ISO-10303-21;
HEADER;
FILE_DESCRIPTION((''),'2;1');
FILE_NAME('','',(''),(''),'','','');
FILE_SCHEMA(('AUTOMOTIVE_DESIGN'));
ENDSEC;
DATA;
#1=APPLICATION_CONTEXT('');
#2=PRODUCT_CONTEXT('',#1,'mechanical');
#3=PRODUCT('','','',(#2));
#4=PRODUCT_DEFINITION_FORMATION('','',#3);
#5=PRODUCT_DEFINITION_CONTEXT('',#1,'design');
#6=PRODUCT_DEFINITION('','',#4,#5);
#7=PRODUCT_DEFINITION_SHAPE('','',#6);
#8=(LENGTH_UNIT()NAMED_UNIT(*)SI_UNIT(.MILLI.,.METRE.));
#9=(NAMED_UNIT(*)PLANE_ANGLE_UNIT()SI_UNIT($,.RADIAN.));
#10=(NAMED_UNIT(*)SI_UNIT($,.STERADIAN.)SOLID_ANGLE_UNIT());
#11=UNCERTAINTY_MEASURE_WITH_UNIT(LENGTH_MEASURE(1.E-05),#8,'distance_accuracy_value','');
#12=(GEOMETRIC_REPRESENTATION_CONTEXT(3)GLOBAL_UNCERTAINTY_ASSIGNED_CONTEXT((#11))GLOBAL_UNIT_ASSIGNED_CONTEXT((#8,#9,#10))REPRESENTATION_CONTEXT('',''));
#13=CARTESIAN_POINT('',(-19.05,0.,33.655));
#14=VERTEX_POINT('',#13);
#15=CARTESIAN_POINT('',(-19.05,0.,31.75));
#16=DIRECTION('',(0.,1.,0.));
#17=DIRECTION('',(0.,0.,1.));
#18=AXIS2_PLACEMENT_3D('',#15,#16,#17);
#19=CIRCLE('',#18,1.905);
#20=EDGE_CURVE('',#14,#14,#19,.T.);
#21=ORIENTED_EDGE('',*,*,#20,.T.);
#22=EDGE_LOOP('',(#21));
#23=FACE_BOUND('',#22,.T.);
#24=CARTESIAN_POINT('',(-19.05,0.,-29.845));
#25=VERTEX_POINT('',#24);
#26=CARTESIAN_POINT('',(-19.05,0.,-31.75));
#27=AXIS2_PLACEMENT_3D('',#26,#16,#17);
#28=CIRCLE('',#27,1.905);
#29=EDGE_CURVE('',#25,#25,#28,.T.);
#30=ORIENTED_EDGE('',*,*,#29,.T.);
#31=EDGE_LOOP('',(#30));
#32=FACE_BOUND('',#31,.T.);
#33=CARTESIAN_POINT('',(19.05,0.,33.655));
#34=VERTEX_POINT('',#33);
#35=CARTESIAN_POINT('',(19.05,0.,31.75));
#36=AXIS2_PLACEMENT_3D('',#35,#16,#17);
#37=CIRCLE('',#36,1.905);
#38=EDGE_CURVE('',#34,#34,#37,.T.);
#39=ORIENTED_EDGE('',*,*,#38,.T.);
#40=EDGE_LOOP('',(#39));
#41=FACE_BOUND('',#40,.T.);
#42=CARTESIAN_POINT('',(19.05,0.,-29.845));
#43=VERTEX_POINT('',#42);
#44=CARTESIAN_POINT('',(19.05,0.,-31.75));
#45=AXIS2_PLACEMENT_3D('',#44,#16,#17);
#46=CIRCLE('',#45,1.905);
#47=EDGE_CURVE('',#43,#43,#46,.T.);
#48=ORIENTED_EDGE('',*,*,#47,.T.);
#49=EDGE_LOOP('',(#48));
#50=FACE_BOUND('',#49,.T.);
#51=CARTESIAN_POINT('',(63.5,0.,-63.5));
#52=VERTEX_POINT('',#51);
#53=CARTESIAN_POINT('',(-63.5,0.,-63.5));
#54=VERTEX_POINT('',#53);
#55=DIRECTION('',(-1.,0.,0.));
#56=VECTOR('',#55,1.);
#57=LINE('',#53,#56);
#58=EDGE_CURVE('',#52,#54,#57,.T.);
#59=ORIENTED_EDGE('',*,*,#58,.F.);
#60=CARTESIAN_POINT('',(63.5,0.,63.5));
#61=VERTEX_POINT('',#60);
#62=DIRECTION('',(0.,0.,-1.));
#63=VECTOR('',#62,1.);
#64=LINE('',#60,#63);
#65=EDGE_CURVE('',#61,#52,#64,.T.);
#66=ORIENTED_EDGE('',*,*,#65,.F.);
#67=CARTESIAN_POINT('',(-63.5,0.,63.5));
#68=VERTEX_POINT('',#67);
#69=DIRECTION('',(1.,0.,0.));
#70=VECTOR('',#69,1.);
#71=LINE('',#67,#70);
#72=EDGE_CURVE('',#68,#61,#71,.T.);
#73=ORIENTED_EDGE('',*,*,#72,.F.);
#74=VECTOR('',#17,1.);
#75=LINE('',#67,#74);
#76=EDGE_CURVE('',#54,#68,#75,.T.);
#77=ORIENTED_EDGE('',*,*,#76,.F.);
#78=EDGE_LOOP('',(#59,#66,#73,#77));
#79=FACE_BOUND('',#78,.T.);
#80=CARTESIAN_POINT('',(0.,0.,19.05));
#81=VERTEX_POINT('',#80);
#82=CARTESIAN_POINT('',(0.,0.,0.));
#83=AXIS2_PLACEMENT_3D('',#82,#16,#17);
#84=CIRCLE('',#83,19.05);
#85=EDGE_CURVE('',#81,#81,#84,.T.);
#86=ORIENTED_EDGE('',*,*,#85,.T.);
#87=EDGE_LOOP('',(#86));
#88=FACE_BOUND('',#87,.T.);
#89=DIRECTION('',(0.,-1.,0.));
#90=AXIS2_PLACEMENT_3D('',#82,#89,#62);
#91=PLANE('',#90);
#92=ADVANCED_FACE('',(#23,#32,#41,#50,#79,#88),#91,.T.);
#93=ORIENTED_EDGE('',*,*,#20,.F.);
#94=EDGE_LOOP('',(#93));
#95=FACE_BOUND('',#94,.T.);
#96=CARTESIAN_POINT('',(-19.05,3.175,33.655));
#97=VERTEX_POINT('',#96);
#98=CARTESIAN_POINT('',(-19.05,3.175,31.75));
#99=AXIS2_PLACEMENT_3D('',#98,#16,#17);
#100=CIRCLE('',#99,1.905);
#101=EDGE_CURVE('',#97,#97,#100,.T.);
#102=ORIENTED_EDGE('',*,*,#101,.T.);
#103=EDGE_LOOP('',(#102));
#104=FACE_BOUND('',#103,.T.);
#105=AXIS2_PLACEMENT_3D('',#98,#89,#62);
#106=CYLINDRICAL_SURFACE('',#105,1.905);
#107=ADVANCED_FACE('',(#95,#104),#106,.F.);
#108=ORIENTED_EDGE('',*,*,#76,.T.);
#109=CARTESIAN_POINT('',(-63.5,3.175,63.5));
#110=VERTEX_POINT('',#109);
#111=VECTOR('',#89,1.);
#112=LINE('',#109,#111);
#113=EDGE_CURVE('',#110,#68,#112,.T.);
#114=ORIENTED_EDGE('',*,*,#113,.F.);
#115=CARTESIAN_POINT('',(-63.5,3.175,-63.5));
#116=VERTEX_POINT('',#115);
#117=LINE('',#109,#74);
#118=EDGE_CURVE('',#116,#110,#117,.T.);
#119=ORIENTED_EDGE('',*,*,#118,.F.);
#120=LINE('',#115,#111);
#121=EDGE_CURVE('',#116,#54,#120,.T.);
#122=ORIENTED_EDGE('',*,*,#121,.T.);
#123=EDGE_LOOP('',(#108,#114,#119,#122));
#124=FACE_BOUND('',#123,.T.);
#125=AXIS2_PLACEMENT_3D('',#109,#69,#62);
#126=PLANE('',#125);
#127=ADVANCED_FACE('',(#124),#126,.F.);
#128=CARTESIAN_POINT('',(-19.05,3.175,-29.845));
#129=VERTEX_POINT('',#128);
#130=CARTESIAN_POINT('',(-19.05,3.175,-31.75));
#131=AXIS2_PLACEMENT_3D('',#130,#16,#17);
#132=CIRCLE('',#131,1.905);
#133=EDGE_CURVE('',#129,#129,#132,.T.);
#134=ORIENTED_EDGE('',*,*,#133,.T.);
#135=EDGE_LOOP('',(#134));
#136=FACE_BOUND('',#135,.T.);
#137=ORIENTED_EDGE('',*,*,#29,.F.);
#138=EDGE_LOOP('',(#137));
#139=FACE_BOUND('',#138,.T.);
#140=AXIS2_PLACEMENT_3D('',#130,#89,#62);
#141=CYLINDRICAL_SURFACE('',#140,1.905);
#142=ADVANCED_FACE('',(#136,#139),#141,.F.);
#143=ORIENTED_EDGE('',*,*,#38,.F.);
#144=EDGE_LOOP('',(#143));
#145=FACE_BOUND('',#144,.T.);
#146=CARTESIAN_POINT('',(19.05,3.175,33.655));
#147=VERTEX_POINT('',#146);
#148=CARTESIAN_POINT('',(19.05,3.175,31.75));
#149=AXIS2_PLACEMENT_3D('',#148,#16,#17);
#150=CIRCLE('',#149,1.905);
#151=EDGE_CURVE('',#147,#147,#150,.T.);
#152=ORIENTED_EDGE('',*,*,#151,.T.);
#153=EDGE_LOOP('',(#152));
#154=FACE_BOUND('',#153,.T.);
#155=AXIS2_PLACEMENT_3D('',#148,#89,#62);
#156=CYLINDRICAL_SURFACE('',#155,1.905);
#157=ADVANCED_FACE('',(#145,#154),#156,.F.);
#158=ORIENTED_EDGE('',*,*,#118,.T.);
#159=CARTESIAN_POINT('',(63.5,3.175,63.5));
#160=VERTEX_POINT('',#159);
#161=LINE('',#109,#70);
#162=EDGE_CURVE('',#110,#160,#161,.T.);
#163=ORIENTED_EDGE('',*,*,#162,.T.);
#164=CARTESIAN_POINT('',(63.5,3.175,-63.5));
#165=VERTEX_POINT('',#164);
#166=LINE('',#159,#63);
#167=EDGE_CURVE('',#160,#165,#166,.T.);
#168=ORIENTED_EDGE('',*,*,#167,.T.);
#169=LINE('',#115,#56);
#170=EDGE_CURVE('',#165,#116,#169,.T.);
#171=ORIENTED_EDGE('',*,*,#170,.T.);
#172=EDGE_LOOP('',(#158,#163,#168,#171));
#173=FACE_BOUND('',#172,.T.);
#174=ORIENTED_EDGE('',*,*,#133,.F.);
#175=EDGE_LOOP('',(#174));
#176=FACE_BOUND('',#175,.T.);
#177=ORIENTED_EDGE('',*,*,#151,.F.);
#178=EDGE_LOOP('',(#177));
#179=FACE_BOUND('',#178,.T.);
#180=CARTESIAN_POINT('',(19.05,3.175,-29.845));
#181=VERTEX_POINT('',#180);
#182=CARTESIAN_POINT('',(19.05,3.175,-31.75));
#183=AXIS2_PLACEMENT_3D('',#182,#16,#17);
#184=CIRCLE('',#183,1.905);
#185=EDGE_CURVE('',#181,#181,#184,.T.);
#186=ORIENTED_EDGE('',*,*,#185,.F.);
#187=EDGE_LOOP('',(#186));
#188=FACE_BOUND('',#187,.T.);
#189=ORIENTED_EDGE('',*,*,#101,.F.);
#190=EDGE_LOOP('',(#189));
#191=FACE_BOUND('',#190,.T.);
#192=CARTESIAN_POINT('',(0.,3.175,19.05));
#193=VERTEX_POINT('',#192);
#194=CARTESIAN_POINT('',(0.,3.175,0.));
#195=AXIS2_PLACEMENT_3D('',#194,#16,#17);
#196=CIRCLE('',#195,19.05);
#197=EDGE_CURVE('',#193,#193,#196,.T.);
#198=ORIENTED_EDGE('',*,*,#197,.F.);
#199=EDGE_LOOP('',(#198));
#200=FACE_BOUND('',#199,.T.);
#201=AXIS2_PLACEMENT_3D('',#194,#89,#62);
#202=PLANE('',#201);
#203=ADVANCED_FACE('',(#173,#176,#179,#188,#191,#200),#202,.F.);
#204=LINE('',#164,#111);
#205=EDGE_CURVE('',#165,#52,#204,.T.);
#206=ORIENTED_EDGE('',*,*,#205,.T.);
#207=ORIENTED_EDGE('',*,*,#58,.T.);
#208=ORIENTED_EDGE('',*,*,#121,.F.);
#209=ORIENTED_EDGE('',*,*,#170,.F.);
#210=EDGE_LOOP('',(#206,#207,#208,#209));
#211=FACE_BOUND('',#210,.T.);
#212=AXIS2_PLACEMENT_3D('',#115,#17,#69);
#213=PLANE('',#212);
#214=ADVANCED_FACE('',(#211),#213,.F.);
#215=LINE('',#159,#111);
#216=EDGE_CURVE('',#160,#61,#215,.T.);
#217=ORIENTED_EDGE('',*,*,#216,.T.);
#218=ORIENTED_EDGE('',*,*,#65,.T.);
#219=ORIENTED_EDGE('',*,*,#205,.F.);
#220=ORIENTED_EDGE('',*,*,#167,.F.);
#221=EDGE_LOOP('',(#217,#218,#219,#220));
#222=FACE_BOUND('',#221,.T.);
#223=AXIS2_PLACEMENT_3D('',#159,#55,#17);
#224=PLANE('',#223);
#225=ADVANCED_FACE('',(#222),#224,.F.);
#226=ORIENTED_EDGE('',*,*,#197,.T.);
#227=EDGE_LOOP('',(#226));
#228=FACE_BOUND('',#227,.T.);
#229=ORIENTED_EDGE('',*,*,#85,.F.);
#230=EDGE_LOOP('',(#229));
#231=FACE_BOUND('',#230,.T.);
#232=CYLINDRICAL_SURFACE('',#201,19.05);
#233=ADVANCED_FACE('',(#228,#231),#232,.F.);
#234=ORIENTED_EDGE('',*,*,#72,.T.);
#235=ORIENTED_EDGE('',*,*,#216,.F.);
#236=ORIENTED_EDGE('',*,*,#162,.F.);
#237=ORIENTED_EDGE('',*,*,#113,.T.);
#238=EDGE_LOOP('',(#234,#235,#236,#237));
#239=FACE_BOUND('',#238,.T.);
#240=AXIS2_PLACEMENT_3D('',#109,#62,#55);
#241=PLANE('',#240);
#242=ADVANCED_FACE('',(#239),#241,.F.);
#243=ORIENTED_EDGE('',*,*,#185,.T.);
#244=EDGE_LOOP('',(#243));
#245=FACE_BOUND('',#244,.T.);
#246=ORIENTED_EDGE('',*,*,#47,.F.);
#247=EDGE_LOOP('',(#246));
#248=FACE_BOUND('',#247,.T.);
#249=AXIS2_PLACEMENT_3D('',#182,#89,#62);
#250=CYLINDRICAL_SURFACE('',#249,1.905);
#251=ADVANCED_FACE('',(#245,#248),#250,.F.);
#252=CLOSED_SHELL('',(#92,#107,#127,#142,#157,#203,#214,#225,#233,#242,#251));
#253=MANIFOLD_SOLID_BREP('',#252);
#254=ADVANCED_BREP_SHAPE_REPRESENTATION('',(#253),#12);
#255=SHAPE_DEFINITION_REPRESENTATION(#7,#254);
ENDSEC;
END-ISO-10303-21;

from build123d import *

# Parameters (mm, degrees)
SKETCH1_W           = 127
SKETCH1_H           = 127
BOSS_EXTRUDE1_DEPTH = 3.175
SKETCH2_R           = 19.05
SKETCH2_R_2         = 1.905
CUT_EXTRUDE1_DEPTH  = 90.858670283


with BuildPart() as part:
    # Sketch1 → Boss-Extrude1 (new body)
    with BuildSketch(Plane(origin=(0, 0, 0), x_dir=(1, 0, 0), z_dir=(0, 1, 0))):
        Rectangle(SKETCH1_W, SKETCH1_H)
    extrude(amount=BOSS_EXTRUDE1_DEPTH)

    # Sketch2 → Cut-Extrude1 (cut, through all)
    with BuildSketch(Plane(origin=(0, 0, 0), x_dir=(1, 0, 0), z_dir=(0, 1, 0))):
        with Locations(Location((0, 0, 0), (0, 0, 270))):
            Circle(SKETCH2_R)
        with Locations(Location((19.05, 31.75, 0), (0, 0, 270))):
            Circle(SKETCH2_R_2)
        with Locations(Location((-19.05, 31.75, 0), (0, 0, 270))):
            Circle(SKETCH2_R_2)
        with Locations(Location((-19.05, -31.75, 0), (0, 0, 270))):
            Circle(SKETCH2_R_2)
        with Locations(Location((19.05, -31.75, 0), (0, 0, 270))):
            Circle(SKETCH2_R_2)
    extrude(amount=CUT_EXTRUDE1_DEPTH, mode=Mode.SUBTRACT)


solid = part.part
